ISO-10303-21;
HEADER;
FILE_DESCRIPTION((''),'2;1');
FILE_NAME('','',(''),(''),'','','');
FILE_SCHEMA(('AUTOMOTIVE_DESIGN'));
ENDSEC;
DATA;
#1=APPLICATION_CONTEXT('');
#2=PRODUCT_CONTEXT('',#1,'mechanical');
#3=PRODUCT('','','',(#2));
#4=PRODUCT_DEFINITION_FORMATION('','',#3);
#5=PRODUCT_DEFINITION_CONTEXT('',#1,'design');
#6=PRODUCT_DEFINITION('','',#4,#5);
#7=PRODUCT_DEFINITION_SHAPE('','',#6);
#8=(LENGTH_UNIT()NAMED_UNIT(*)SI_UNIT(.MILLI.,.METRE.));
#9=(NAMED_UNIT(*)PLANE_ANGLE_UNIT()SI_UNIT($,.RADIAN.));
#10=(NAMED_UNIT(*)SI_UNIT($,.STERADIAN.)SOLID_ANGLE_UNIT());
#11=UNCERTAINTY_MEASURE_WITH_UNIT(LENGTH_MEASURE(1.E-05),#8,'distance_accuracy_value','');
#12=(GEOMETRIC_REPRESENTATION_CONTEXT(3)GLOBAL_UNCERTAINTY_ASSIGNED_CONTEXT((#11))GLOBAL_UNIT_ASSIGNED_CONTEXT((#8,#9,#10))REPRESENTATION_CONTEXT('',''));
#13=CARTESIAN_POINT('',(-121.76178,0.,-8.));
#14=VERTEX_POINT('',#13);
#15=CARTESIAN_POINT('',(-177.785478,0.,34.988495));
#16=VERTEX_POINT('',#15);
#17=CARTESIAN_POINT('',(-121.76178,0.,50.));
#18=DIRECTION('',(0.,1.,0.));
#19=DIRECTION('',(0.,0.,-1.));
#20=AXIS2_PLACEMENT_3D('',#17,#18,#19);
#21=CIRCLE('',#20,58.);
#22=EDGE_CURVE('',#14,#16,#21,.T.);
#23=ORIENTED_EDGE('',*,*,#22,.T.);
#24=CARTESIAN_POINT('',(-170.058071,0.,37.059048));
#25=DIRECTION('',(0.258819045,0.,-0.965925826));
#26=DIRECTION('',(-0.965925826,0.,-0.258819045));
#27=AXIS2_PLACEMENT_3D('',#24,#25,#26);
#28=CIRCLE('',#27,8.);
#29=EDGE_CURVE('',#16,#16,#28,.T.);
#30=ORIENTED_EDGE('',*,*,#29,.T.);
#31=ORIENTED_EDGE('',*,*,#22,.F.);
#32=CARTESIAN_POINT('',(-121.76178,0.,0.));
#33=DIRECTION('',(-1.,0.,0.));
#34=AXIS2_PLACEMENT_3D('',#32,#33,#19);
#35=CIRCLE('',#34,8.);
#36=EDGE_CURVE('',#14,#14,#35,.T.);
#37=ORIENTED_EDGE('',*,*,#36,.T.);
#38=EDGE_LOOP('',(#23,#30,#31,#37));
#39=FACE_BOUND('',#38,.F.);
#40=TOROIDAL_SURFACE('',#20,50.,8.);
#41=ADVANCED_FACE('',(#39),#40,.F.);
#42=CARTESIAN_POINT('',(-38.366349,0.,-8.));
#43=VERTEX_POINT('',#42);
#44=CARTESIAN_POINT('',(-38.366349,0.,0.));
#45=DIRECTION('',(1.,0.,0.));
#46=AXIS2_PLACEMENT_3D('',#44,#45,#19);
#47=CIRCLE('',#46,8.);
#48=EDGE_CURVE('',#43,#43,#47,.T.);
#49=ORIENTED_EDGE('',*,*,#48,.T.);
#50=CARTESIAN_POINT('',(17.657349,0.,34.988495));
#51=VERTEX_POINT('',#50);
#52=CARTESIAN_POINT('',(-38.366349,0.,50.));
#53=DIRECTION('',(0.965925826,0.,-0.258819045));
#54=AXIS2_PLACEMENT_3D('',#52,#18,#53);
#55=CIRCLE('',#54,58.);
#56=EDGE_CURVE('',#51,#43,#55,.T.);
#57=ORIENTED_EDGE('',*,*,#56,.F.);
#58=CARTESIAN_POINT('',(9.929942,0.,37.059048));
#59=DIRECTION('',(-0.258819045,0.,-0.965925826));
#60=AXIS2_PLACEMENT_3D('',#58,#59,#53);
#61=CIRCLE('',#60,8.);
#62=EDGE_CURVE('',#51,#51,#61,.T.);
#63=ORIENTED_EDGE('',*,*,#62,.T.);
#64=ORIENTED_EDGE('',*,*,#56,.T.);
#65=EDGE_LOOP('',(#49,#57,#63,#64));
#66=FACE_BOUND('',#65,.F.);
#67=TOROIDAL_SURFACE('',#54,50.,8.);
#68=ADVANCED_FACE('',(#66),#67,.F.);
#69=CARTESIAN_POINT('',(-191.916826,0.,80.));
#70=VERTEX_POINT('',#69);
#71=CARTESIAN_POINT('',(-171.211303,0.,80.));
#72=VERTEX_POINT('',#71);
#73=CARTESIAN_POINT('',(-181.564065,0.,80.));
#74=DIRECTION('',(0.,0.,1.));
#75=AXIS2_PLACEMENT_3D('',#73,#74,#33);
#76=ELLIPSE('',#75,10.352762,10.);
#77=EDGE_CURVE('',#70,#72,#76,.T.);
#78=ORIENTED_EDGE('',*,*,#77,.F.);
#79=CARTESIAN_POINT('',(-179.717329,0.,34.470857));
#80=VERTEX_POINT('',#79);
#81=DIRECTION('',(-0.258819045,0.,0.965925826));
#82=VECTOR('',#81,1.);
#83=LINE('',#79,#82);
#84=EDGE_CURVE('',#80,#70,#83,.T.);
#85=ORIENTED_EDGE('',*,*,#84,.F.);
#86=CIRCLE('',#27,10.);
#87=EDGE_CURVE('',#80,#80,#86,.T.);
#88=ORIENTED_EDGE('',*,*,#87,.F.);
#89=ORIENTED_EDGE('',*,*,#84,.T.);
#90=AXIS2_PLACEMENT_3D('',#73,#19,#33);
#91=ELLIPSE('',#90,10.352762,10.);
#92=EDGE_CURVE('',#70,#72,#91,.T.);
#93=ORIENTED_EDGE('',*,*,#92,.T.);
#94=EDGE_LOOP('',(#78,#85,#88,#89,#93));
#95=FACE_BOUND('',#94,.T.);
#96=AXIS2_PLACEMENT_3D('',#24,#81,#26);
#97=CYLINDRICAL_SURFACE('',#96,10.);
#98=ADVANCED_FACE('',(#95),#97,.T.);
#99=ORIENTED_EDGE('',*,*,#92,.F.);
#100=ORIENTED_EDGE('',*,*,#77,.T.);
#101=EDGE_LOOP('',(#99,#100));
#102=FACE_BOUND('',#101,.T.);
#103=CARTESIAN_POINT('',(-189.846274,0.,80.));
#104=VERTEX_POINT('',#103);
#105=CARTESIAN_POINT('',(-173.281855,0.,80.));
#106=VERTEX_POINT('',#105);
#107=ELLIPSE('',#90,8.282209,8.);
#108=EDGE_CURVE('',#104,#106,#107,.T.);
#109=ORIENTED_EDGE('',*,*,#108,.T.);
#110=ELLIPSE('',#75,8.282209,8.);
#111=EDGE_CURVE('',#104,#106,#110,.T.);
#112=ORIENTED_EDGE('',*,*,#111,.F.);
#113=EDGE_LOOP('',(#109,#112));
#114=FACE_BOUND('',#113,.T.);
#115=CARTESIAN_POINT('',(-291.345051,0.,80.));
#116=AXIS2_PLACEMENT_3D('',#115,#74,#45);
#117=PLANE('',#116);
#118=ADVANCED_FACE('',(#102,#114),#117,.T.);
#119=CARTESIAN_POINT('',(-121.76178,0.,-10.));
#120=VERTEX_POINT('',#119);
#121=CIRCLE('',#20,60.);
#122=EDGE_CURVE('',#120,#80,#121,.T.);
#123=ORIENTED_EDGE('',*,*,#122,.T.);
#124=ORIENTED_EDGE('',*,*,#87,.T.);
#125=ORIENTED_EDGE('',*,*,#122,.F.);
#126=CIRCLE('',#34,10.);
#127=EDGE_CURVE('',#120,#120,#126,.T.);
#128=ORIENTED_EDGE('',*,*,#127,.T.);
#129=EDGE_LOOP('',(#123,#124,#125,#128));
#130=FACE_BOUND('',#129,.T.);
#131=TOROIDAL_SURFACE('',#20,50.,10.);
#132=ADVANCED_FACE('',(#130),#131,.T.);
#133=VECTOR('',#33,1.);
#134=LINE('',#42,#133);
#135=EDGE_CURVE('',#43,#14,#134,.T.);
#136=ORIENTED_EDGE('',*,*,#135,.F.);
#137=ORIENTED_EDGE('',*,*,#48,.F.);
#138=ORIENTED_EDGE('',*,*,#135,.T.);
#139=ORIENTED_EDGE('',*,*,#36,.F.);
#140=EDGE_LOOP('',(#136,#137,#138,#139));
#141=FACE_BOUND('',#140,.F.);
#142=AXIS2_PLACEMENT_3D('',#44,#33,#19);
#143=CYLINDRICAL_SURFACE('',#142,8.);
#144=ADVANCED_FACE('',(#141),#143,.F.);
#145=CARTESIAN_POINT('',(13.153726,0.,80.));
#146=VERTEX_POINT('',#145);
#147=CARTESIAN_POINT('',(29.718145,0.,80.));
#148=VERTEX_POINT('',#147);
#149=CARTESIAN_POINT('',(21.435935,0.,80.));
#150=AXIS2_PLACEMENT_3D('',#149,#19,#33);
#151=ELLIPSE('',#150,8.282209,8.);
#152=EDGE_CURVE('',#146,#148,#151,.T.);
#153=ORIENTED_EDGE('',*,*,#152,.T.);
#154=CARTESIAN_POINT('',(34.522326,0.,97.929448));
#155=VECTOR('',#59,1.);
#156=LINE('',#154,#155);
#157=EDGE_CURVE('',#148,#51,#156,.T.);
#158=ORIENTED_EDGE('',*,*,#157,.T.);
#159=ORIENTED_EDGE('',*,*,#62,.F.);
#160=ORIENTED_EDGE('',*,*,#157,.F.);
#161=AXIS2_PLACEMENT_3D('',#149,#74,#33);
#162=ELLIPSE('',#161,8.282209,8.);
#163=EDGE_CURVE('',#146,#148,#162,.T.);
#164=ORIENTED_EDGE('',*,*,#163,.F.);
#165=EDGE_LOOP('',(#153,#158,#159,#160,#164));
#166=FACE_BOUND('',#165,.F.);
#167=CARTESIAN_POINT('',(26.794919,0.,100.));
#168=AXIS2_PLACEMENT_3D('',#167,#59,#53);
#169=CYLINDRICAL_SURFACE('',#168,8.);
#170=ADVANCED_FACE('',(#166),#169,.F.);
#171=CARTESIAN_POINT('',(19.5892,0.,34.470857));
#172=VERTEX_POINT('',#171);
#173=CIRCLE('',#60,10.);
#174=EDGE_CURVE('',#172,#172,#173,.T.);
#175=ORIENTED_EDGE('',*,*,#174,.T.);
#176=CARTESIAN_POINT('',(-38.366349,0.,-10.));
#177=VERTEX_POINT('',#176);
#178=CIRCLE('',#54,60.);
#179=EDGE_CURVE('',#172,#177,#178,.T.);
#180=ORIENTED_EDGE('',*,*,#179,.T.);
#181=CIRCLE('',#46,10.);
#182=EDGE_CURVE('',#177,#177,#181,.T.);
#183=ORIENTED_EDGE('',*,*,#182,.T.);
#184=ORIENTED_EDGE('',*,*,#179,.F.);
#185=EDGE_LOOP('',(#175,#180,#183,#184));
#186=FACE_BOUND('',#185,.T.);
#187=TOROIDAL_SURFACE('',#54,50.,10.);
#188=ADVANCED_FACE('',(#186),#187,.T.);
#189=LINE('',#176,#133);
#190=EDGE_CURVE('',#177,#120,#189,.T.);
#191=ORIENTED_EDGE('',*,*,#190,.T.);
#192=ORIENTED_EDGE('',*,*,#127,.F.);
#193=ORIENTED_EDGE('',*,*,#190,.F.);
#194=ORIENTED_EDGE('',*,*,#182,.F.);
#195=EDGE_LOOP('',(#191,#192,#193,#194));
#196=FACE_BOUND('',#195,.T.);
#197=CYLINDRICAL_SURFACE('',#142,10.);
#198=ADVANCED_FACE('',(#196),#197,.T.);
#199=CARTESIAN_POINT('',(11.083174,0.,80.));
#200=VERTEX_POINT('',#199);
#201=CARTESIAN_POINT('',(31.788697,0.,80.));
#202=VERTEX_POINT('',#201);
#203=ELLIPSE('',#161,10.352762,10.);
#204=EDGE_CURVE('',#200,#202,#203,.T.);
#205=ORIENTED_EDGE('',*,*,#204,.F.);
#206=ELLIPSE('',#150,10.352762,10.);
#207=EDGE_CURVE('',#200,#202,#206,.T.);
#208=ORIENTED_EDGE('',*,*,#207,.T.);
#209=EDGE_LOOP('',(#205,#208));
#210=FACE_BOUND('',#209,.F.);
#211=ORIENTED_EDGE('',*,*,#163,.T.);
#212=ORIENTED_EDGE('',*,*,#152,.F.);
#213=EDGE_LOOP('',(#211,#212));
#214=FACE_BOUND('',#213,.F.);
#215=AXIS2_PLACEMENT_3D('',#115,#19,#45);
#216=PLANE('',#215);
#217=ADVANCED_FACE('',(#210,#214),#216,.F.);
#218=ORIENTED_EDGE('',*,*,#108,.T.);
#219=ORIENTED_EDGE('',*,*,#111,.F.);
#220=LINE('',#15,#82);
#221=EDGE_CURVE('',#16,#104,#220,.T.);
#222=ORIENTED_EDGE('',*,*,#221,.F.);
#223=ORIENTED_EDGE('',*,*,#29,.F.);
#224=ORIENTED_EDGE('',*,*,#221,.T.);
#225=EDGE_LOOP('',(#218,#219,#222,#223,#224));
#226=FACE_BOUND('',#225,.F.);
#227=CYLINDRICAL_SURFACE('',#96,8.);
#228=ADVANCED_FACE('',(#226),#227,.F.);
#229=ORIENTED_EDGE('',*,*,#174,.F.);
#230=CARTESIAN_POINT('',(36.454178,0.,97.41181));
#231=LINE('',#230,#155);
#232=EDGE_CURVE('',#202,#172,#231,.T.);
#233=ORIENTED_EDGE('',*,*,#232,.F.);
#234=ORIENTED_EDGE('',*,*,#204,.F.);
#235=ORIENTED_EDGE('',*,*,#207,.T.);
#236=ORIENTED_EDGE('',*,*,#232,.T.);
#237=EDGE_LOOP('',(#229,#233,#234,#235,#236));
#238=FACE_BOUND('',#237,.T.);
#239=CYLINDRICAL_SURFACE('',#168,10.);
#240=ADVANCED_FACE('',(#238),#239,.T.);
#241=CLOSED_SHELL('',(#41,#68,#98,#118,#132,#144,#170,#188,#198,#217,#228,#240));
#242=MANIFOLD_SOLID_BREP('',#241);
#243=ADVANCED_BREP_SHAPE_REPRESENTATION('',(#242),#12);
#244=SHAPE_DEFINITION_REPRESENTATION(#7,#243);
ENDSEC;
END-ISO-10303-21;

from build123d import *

# Parameters (mm, degrees)
F2_R          = 10
F2_R_2        = 8
F4_W          = 386.4285405924
F4_H          = 84.6193959536
F5_DEPTH      = 10.0010001
F5_DEPTH_BACK = 10.0010001


with BuildPart() as f3:
    # F3: sweep along a path in F0
    with BuildLine(Plane.XZ) as f3_path:
        Line((26.7949192431, 100), (9.9299419155, 37.0590477449))
        ThreePointArc((9.9299419155, 37.0590477449), (-7.9282779485, 10.3323329854), (-38.3663493989, 0))
        Line((-38.3663493989, 0), (-121.7617798121, 0))
        ThreePointArc((-121.7617798121, 0), (-152.1998512625, 10.3323329854), (-170.0580711265, 37.0590477449))
        Line((-170.0580711265, 37.0590477449), (-186.9230484541, 100))
    # F2 (on line) → F3 (sweep)
    with BuildSketch(Plane(origin=(26.7949192431, 0, 100), x_dir=(0.9659258263, 0, -0.2588190451), z_dir=(0.2588190451, 0, 0.9659258263))):
        Circle(F2_R)
        Circle(F2_R_2, mode=Mode.SUBTRACT)
    sweep(path=f3_path.line)

    # F4 (on Front) → F5 (cut, two sides)
    with BuildSketch(Plane.XZ) as f5_sk:
        with Locations((-98.1307812035, 122.3096979768)):
            Rectangle(F4_W, F4_H)
    extrude(amount=-F5_DEPTH, mode=Mode.SUBTRACT)
    extrude(f5_sk.sketch, amount=F5_DEPTH_BACK, mode=Mode.SUBTRACT)


solid = f3.part
